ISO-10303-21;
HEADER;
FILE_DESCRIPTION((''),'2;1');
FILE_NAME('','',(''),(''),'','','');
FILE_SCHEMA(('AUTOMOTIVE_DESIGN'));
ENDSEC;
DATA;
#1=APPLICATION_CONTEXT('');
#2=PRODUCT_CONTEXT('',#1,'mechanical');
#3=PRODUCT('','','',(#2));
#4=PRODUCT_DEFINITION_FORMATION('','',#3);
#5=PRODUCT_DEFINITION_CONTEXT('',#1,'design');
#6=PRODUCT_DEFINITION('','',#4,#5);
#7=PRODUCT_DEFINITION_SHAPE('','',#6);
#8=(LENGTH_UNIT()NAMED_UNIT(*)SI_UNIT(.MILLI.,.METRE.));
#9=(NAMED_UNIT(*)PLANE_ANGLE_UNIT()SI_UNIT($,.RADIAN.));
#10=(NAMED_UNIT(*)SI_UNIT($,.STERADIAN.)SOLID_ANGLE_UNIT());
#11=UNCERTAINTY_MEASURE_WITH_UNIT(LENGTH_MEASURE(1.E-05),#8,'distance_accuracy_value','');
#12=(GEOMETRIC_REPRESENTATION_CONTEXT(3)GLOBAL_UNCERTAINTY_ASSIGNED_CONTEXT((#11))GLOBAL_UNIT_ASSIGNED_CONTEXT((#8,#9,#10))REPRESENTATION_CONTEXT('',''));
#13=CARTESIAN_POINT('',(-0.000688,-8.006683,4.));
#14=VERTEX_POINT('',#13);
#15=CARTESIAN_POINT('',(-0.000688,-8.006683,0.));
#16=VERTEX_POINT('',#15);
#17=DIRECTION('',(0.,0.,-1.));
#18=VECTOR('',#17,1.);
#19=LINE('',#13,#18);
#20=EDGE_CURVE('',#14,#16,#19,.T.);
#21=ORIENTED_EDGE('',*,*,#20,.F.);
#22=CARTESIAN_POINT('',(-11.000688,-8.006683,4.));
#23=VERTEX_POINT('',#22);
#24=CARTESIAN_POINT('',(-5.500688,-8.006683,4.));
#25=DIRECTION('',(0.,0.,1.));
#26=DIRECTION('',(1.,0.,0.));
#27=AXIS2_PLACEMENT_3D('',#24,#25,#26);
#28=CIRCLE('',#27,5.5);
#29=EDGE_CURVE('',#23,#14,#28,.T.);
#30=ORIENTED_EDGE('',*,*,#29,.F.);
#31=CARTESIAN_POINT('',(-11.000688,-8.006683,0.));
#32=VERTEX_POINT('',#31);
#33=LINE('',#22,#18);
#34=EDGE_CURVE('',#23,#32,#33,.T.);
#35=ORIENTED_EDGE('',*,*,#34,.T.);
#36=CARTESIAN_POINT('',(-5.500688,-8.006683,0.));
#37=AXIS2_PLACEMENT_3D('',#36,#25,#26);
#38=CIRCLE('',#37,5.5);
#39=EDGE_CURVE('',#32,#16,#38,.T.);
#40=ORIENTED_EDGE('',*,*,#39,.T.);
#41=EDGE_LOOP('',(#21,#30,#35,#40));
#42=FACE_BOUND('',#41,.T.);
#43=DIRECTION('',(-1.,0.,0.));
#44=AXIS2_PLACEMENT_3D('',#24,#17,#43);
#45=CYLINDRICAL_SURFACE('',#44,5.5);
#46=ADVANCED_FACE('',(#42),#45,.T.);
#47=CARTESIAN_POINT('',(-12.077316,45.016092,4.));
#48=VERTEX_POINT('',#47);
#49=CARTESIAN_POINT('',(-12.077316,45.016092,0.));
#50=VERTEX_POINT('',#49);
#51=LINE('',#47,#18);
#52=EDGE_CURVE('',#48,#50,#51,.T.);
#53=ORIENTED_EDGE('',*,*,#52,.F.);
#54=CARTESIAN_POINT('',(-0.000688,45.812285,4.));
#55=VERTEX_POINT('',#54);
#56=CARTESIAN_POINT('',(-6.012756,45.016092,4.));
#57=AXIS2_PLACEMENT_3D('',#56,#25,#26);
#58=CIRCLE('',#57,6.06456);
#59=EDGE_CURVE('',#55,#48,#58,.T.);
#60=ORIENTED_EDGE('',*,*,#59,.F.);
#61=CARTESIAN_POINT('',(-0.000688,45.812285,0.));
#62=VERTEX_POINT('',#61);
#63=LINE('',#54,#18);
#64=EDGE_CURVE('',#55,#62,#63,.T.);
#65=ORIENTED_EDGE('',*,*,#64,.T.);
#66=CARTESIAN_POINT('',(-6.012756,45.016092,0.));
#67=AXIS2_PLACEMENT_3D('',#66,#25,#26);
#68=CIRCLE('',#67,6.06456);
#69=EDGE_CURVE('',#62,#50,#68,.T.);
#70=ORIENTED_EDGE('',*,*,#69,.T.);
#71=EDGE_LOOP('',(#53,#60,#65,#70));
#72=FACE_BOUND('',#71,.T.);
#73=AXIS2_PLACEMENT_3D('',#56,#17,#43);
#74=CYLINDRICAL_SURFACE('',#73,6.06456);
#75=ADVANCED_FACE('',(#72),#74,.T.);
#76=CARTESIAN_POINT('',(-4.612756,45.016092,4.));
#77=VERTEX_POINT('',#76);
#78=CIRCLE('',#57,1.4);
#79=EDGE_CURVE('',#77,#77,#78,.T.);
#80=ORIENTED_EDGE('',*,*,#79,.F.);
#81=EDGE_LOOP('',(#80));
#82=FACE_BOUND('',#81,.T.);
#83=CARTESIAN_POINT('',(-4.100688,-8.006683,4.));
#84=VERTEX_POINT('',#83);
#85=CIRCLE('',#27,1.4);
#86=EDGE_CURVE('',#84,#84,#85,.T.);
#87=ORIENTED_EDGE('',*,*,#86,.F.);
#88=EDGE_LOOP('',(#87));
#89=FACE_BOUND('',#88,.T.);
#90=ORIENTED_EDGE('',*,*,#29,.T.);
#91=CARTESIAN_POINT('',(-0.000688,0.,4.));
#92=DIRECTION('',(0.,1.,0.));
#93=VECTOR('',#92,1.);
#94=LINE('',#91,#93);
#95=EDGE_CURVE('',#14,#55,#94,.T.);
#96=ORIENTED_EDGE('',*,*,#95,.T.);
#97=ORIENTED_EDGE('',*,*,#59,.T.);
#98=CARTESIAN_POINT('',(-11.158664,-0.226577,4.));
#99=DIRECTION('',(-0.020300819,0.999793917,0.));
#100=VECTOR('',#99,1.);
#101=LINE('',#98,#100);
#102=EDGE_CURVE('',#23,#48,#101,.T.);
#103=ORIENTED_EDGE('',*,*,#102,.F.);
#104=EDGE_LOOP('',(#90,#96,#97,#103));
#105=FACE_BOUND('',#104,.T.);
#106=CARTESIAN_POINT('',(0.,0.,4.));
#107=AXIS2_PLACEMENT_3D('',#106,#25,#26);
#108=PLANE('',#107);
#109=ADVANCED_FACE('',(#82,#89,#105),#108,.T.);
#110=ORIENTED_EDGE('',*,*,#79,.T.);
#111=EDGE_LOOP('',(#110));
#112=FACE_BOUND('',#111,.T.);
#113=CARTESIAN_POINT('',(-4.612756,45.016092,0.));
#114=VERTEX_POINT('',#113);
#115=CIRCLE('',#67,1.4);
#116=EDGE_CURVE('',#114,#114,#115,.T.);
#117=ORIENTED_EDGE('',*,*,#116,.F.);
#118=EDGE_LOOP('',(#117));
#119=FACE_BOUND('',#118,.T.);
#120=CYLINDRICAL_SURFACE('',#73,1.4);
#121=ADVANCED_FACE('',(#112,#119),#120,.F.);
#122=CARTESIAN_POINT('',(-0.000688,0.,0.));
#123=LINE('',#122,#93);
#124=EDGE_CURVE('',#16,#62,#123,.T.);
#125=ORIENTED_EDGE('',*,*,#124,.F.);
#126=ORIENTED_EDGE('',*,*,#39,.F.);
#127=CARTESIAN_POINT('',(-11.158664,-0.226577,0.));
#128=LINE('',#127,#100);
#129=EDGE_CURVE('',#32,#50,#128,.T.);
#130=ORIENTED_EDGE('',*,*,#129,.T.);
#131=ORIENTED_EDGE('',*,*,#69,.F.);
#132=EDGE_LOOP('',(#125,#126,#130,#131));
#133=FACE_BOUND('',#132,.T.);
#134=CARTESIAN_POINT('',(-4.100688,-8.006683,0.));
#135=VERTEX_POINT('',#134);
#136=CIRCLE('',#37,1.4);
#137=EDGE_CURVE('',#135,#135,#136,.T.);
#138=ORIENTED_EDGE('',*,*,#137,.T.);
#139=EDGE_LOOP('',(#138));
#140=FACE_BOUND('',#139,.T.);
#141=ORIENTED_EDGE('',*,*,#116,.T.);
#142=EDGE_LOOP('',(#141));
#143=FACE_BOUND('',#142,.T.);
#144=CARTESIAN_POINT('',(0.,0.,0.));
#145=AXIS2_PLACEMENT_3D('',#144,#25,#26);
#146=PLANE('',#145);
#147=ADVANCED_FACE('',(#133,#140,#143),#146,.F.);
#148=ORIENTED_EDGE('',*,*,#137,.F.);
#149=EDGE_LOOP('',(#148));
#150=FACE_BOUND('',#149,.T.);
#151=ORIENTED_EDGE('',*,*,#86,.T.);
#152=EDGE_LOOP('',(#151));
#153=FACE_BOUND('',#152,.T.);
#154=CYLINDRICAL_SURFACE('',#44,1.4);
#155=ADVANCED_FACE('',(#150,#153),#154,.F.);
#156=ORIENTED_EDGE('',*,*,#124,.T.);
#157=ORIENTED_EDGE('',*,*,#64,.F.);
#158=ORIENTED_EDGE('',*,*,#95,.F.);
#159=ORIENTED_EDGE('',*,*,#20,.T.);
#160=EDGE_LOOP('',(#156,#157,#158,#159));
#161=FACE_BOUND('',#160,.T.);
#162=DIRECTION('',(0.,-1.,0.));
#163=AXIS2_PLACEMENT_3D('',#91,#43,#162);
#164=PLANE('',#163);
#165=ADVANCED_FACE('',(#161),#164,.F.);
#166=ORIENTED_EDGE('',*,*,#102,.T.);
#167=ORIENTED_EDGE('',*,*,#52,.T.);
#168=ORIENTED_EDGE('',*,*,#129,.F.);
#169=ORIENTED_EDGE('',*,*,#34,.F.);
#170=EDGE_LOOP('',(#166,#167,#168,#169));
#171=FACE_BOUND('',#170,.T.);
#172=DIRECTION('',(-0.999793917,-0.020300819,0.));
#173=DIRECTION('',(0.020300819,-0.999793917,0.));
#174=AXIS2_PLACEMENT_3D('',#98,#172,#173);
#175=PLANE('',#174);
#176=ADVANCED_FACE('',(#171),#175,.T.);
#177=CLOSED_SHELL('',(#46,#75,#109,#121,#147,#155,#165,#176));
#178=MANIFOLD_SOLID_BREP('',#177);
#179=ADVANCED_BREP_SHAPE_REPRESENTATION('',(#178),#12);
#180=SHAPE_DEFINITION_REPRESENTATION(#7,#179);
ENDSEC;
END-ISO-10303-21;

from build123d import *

# Parameters (mm, degrees)
SKETCH1_R           = 1.4
BOSS_EXTRUDE1_DEPTH = 4


with BuildPart() as part:
    # Sketch1 → Boss-Extrude1 (new body)
    with BuildSketch(Plane.XY):
        with BuildLine():
            ThreePointArc((-11.000688459, -8.006682704), (-5.500688459, -13.506682704), (-0.000688459, -8.006682704))
            Line((-0.000688459, -8.006682704), (-0.000688459, 44.219898035))
            Line((-0.000688459, 44.219898035), (-0.000688459, 45.812285407))
            ThreePointArc((-0.000688459, 45.812285407), (-6.411717433, 51.067514262), (-12.077316081, 45.016091721))
            Line((-12.077316081, 45.016091721), (-12.072317389, 44.769911406))
            Line((-12.072317389, 44.769911406), (-11.000688459, -8.006682704))
        make_face()
        with Locations((-5.500688459, -8.006682704)):
            Circle(SKETCH1_R, mode=Mode.SUBTRACT)
        with Locations((-6.012756351, 45.016091721)):
            Circle(SKETCH1_R, mode=Mode.SUBTRACT)
    extrude(amount=BOSS_EXTRUDE1_DEPTH)


solid = part.part
